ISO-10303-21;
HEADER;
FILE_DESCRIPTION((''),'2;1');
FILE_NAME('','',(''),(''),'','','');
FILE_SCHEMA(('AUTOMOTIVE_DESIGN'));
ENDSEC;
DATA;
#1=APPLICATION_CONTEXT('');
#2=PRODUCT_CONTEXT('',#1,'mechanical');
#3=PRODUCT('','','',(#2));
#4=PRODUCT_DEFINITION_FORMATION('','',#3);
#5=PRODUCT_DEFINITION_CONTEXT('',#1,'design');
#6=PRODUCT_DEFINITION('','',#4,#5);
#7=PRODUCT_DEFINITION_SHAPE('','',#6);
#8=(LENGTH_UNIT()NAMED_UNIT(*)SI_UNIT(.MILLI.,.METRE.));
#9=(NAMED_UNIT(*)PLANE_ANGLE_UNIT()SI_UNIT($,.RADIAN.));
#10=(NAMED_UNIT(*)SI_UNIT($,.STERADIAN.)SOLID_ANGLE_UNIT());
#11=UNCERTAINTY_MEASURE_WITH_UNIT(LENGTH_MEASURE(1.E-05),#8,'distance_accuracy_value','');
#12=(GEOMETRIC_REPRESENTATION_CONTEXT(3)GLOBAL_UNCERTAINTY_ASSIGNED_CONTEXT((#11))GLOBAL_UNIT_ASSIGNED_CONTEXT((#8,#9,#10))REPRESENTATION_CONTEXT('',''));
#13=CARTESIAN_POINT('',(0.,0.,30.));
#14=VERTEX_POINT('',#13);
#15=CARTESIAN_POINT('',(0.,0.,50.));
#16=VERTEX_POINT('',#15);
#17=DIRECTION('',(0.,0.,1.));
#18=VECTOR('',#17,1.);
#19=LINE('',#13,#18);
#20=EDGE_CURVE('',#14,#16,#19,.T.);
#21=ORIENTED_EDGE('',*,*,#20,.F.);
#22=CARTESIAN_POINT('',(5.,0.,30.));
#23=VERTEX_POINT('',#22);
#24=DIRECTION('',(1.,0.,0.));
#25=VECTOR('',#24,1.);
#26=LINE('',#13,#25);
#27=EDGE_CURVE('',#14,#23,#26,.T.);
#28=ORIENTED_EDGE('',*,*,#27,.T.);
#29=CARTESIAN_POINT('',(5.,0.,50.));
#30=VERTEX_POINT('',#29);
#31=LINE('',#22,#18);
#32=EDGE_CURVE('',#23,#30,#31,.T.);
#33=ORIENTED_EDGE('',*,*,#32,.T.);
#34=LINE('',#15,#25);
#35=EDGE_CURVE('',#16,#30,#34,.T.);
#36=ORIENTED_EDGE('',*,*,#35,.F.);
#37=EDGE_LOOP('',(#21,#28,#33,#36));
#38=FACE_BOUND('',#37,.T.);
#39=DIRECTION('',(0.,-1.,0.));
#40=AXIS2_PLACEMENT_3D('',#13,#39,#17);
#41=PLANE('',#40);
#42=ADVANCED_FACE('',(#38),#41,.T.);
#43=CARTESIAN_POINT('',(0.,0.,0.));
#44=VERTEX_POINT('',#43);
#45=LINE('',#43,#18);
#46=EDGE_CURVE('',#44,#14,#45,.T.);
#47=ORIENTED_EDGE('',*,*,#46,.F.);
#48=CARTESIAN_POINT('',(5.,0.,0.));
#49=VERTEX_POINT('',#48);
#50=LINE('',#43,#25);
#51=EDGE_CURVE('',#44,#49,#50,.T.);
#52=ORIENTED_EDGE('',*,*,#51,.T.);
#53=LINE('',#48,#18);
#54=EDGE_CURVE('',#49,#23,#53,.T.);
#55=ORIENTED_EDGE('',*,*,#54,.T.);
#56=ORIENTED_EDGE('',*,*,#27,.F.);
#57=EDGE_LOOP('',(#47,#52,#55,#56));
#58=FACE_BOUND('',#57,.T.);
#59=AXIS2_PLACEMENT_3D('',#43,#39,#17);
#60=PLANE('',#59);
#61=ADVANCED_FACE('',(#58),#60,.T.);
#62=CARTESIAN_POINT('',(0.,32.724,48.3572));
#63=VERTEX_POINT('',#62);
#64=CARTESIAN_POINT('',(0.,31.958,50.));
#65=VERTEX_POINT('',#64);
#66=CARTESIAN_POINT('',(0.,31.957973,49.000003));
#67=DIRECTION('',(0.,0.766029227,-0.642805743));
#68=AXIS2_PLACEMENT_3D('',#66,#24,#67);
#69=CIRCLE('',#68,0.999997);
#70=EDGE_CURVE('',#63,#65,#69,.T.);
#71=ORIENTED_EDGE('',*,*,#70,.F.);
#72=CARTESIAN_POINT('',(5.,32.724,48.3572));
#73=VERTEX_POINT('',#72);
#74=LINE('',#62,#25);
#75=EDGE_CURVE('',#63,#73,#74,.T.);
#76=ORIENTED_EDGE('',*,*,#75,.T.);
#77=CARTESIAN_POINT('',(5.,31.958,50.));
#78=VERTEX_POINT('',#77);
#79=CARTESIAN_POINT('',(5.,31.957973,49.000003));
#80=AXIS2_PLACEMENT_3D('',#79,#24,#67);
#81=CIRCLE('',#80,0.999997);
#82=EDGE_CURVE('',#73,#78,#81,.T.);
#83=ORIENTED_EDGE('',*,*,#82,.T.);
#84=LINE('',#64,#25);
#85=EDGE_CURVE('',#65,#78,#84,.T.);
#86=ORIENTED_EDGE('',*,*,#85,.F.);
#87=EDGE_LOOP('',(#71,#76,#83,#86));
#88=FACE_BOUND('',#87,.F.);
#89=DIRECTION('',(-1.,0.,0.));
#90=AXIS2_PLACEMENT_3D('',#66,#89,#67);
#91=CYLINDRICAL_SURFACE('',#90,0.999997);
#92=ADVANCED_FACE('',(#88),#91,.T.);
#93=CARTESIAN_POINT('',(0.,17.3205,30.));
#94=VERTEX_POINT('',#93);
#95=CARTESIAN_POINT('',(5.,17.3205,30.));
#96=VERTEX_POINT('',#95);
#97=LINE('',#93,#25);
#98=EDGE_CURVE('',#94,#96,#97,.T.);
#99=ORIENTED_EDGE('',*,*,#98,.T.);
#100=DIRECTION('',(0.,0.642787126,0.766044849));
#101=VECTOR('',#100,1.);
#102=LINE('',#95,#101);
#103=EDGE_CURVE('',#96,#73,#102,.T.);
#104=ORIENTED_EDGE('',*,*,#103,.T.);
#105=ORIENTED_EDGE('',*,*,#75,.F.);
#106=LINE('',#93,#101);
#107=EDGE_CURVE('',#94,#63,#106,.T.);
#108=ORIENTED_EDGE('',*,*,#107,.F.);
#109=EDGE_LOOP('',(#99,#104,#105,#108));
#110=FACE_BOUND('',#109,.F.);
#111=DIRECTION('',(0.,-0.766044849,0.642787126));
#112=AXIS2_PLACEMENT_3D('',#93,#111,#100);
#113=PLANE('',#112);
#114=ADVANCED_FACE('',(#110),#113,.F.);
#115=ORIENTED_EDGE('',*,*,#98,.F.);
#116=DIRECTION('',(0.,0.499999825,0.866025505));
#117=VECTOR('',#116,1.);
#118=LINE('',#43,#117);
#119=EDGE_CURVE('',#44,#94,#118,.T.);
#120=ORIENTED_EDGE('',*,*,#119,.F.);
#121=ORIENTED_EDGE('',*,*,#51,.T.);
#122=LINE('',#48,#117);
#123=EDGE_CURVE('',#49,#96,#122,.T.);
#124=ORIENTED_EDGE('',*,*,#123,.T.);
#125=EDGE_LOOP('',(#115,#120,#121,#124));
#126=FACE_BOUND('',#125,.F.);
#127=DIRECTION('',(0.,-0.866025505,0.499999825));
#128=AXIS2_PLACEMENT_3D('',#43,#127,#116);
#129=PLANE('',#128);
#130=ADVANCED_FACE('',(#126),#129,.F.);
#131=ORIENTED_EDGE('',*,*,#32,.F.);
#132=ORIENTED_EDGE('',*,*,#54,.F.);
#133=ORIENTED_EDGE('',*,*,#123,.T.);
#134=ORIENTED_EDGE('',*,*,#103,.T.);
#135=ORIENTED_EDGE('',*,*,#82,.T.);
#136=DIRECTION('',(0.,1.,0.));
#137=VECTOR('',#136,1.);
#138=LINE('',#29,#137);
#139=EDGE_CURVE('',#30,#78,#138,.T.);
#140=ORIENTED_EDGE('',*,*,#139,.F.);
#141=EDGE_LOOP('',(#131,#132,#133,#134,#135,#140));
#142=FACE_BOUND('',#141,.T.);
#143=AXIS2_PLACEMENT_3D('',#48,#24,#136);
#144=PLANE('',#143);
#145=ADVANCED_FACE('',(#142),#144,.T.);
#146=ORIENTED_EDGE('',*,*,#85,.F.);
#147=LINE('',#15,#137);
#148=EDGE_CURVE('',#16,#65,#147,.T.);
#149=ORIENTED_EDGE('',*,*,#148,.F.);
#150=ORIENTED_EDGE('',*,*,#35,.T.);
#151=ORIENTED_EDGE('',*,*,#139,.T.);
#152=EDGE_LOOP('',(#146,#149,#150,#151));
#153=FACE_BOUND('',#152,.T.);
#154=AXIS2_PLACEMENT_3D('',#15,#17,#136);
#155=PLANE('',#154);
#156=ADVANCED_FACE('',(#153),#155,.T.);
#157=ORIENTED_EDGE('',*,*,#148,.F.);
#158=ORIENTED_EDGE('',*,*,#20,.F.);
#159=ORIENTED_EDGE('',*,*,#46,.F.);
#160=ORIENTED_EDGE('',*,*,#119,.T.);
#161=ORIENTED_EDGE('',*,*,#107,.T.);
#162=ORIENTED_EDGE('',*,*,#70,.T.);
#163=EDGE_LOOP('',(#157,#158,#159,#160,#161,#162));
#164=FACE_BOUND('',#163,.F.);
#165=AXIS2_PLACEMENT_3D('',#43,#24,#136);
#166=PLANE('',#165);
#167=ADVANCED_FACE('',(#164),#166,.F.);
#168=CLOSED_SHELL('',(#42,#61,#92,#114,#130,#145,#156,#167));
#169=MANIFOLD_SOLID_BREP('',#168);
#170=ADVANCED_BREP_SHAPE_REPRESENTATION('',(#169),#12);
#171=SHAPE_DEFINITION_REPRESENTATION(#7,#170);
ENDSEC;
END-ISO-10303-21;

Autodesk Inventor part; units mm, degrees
ref_plane "YZ Plane" through (0, 0, 0) normal (1, 0, 0) x (0, 1, 0)
ref_plane "XZ Plane" through (0, 0, 0) normal (0, 1, 0) x (-1, 0, 0)
ref_plane "XY Plane" through (0, 0, 0) normal (0, 0, 1) x (1, 0, 0)
sketch "스케치1" plane through (0, 0, 0) normal (1, 0, 0) x (0, 1, 0)
  line L0 (0, 0) -> (0, 30)
  line L1 (0, 0) -> (30, 0) construction
  line L2 (0, 30) -> (0, 50)
  line L3 (0, 50) -> (31.958, 50)
  line L4 (0, 0) -> (17.3205, 30)
  line L5 (0, 0) -> (34.641, 0) construction
  line L6 (17.3205, 30) -> (32.724, 48.3572)
  arc A0 (32.724, 48.3572) -> (31.958, 50) centre (31.958, 49) ccw
  point P0 (34.1025, 50)
  dimension "d0" = 30
  dimension "d1" = 90
  dimension "d2" = 20
  dimension "d3" = 60
  dimension "d4" = 170
  dimension "d7" = 1
extrude "돌출1" add sketch "스케치1" along normal blind 5
properties part number "앞판바깥막이" material "알루미늄 6061"
